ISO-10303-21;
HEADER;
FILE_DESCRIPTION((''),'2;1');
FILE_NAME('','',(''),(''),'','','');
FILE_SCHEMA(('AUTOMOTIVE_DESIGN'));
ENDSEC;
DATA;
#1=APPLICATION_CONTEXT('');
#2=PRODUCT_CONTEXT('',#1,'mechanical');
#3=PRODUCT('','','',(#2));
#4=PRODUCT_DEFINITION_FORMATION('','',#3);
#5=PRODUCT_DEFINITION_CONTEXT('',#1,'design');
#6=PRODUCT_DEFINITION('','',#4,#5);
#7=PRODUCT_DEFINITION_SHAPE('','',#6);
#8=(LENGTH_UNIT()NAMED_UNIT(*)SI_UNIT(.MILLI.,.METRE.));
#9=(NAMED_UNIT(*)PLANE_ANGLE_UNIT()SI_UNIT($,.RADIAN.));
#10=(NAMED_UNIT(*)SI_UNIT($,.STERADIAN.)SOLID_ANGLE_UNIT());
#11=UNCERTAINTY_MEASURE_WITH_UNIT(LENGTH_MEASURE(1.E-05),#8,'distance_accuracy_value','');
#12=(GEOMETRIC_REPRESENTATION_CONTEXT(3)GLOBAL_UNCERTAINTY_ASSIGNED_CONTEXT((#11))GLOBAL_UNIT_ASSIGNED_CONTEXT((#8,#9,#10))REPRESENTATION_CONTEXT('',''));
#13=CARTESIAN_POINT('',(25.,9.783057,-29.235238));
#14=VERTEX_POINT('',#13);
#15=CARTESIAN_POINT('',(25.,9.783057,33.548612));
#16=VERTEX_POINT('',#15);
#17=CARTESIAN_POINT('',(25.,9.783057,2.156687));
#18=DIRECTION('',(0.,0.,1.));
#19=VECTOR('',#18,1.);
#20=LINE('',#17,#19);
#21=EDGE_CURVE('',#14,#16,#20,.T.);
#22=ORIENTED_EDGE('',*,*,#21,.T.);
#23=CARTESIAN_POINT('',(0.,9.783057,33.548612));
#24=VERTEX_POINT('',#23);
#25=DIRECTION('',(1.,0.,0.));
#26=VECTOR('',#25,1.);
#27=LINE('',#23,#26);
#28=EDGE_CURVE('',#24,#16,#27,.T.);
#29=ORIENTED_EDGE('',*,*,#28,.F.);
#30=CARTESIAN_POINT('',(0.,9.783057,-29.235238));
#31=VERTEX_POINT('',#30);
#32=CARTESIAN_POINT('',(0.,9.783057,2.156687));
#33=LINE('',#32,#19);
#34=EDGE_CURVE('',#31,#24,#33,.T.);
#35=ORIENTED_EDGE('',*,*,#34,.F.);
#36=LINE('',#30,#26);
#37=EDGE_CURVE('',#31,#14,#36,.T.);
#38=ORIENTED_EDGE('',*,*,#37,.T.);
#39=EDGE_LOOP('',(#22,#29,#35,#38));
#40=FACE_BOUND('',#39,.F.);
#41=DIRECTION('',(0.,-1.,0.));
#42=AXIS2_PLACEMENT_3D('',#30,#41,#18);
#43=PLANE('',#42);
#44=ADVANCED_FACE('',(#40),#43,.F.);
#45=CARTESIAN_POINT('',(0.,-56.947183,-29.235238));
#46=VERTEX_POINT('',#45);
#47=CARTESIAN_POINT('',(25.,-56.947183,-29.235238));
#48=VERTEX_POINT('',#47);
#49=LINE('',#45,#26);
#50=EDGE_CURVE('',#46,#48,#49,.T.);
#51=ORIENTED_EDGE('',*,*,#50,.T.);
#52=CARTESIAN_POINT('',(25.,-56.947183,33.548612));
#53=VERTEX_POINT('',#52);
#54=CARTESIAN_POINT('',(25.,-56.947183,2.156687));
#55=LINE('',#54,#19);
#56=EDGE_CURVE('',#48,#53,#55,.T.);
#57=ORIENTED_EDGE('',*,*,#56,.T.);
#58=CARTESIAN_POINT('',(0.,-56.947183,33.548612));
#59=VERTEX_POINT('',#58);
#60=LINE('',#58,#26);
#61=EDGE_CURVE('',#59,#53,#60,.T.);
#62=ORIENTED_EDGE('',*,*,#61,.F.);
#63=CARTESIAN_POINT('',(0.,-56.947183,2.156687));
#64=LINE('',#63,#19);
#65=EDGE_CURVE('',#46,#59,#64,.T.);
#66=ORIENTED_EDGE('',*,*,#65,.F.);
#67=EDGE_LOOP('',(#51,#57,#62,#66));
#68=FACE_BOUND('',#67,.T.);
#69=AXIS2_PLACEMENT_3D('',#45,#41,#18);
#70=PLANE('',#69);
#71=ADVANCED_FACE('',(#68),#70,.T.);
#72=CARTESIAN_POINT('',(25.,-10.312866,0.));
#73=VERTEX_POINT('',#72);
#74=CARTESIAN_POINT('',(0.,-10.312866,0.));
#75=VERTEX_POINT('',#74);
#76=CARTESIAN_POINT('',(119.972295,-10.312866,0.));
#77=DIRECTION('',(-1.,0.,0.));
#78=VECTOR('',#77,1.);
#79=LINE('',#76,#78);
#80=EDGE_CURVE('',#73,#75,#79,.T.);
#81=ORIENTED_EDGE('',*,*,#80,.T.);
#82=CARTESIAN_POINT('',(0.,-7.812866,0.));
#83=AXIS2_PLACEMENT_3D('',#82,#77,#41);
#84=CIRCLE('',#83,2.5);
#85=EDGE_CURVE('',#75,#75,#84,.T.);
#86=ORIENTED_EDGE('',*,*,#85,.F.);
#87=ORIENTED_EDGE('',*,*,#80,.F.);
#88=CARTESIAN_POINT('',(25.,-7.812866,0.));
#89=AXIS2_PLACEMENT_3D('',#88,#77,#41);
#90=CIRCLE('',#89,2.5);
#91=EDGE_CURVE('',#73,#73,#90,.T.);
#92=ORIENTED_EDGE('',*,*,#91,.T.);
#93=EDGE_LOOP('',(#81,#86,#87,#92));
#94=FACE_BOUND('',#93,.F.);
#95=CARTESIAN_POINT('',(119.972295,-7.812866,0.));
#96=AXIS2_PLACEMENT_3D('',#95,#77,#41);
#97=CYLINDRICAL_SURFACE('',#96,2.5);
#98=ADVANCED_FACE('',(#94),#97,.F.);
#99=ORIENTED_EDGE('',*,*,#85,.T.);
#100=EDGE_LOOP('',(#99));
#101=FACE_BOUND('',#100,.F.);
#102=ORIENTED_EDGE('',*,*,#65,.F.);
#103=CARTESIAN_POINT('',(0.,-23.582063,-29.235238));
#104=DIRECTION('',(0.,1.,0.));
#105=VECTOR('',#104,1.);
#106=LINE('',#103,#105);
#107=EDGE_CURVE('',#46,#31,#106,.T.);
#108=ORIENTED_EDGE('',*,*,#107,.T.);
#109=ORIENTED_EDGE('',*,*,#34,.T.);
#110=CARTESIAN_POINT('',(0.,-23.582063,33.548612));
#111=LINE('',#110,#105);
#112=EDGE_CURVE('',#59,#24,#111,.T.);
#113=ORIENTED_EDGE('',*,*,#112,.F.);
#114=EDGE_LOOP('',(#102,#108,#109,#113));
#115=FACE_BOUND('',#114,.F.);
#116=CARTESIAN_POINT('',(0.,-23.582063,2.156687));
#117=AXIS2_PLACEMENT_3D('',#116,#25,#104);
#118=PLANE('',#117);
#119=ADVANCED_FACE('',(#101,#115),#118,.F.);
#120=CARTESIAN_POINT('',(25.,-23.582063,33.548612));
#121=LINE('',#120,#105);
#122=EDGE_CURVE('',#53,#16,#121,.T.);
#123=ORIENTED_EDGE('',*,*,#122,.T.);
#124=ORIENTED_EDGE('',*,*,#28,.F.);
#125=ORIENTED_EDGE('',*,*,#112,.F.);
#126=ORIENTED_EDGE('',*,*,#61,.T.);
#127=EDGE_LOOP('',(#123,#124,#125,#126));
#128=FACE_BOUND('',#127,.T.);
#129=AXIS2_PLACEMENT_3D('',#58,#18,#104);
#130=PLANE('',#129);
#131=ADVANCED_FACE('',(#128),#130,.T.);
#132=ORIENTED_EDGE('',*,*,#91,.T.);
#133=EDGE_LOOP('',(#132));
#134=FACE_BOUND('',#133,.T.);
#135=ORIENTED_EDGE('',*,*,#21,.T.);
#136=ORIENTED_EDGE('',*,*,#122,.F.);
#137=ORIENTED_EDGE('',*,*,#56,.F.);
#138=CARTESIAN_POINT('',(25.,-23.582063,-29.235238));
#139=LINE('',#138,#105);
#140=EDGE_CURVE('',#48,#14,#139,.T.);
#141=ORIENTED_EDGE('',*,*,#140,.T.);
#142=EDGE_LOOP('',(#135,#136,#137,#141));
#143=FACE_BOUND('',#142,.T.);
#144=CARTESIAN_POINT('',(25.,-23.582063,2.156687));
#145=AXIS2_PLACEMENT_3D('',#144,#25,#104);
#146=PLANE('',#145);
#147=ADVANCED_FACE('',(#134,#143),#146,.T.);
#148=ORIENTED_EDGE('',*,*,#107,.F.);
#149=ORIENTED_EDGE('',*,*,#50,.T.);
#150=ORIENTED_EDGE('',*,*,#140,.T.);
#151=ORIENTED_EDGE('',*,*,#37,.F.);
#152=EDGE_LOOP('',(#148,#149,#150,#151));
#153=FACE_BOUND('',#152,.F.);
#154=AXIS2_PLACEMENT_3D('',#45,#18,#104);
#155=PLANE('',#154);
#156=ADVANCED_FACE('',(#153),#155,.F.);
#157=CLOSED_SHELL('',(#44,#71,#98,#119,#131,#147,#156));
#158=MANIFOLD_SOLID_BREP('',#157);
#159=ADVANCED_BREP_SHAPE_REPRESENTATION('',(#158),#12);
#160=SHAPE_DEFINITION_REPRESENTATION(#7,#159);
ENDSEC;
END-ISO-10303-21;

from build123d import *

# Parameters (mm, degrees)
F0_W     = 66.73024
F0_H     = 62.78385
F1_DEPTH = 25
F2_R     = 10.820762
F4_DEPTH = 25
F5_D     = 5


with BuildPart() as f1:
    # F0 (on Right) → F1 (new body)
    with BuildSketch(Plane.YZ):
        with Locations((-23.582063, 2.156687)):
            Rectangle(F0_W, F0_H)
    extrude(amount=F1_DEPTH)

    # F2 (on face) → F4 (join)
    with BuildSketch(Plane.YZ.offset(25)):
        with Locations((-27.518781, 9.579325)):
            Circle(F2_R)
    extrude(amount=-F4_DEPTH)

    # F5 (through all)
    with Locations(Plane.YZ.offset(25)):
        with Locations((-7.812866, 0)):
            Hole(F5_D / 2)


solid = f1.part
